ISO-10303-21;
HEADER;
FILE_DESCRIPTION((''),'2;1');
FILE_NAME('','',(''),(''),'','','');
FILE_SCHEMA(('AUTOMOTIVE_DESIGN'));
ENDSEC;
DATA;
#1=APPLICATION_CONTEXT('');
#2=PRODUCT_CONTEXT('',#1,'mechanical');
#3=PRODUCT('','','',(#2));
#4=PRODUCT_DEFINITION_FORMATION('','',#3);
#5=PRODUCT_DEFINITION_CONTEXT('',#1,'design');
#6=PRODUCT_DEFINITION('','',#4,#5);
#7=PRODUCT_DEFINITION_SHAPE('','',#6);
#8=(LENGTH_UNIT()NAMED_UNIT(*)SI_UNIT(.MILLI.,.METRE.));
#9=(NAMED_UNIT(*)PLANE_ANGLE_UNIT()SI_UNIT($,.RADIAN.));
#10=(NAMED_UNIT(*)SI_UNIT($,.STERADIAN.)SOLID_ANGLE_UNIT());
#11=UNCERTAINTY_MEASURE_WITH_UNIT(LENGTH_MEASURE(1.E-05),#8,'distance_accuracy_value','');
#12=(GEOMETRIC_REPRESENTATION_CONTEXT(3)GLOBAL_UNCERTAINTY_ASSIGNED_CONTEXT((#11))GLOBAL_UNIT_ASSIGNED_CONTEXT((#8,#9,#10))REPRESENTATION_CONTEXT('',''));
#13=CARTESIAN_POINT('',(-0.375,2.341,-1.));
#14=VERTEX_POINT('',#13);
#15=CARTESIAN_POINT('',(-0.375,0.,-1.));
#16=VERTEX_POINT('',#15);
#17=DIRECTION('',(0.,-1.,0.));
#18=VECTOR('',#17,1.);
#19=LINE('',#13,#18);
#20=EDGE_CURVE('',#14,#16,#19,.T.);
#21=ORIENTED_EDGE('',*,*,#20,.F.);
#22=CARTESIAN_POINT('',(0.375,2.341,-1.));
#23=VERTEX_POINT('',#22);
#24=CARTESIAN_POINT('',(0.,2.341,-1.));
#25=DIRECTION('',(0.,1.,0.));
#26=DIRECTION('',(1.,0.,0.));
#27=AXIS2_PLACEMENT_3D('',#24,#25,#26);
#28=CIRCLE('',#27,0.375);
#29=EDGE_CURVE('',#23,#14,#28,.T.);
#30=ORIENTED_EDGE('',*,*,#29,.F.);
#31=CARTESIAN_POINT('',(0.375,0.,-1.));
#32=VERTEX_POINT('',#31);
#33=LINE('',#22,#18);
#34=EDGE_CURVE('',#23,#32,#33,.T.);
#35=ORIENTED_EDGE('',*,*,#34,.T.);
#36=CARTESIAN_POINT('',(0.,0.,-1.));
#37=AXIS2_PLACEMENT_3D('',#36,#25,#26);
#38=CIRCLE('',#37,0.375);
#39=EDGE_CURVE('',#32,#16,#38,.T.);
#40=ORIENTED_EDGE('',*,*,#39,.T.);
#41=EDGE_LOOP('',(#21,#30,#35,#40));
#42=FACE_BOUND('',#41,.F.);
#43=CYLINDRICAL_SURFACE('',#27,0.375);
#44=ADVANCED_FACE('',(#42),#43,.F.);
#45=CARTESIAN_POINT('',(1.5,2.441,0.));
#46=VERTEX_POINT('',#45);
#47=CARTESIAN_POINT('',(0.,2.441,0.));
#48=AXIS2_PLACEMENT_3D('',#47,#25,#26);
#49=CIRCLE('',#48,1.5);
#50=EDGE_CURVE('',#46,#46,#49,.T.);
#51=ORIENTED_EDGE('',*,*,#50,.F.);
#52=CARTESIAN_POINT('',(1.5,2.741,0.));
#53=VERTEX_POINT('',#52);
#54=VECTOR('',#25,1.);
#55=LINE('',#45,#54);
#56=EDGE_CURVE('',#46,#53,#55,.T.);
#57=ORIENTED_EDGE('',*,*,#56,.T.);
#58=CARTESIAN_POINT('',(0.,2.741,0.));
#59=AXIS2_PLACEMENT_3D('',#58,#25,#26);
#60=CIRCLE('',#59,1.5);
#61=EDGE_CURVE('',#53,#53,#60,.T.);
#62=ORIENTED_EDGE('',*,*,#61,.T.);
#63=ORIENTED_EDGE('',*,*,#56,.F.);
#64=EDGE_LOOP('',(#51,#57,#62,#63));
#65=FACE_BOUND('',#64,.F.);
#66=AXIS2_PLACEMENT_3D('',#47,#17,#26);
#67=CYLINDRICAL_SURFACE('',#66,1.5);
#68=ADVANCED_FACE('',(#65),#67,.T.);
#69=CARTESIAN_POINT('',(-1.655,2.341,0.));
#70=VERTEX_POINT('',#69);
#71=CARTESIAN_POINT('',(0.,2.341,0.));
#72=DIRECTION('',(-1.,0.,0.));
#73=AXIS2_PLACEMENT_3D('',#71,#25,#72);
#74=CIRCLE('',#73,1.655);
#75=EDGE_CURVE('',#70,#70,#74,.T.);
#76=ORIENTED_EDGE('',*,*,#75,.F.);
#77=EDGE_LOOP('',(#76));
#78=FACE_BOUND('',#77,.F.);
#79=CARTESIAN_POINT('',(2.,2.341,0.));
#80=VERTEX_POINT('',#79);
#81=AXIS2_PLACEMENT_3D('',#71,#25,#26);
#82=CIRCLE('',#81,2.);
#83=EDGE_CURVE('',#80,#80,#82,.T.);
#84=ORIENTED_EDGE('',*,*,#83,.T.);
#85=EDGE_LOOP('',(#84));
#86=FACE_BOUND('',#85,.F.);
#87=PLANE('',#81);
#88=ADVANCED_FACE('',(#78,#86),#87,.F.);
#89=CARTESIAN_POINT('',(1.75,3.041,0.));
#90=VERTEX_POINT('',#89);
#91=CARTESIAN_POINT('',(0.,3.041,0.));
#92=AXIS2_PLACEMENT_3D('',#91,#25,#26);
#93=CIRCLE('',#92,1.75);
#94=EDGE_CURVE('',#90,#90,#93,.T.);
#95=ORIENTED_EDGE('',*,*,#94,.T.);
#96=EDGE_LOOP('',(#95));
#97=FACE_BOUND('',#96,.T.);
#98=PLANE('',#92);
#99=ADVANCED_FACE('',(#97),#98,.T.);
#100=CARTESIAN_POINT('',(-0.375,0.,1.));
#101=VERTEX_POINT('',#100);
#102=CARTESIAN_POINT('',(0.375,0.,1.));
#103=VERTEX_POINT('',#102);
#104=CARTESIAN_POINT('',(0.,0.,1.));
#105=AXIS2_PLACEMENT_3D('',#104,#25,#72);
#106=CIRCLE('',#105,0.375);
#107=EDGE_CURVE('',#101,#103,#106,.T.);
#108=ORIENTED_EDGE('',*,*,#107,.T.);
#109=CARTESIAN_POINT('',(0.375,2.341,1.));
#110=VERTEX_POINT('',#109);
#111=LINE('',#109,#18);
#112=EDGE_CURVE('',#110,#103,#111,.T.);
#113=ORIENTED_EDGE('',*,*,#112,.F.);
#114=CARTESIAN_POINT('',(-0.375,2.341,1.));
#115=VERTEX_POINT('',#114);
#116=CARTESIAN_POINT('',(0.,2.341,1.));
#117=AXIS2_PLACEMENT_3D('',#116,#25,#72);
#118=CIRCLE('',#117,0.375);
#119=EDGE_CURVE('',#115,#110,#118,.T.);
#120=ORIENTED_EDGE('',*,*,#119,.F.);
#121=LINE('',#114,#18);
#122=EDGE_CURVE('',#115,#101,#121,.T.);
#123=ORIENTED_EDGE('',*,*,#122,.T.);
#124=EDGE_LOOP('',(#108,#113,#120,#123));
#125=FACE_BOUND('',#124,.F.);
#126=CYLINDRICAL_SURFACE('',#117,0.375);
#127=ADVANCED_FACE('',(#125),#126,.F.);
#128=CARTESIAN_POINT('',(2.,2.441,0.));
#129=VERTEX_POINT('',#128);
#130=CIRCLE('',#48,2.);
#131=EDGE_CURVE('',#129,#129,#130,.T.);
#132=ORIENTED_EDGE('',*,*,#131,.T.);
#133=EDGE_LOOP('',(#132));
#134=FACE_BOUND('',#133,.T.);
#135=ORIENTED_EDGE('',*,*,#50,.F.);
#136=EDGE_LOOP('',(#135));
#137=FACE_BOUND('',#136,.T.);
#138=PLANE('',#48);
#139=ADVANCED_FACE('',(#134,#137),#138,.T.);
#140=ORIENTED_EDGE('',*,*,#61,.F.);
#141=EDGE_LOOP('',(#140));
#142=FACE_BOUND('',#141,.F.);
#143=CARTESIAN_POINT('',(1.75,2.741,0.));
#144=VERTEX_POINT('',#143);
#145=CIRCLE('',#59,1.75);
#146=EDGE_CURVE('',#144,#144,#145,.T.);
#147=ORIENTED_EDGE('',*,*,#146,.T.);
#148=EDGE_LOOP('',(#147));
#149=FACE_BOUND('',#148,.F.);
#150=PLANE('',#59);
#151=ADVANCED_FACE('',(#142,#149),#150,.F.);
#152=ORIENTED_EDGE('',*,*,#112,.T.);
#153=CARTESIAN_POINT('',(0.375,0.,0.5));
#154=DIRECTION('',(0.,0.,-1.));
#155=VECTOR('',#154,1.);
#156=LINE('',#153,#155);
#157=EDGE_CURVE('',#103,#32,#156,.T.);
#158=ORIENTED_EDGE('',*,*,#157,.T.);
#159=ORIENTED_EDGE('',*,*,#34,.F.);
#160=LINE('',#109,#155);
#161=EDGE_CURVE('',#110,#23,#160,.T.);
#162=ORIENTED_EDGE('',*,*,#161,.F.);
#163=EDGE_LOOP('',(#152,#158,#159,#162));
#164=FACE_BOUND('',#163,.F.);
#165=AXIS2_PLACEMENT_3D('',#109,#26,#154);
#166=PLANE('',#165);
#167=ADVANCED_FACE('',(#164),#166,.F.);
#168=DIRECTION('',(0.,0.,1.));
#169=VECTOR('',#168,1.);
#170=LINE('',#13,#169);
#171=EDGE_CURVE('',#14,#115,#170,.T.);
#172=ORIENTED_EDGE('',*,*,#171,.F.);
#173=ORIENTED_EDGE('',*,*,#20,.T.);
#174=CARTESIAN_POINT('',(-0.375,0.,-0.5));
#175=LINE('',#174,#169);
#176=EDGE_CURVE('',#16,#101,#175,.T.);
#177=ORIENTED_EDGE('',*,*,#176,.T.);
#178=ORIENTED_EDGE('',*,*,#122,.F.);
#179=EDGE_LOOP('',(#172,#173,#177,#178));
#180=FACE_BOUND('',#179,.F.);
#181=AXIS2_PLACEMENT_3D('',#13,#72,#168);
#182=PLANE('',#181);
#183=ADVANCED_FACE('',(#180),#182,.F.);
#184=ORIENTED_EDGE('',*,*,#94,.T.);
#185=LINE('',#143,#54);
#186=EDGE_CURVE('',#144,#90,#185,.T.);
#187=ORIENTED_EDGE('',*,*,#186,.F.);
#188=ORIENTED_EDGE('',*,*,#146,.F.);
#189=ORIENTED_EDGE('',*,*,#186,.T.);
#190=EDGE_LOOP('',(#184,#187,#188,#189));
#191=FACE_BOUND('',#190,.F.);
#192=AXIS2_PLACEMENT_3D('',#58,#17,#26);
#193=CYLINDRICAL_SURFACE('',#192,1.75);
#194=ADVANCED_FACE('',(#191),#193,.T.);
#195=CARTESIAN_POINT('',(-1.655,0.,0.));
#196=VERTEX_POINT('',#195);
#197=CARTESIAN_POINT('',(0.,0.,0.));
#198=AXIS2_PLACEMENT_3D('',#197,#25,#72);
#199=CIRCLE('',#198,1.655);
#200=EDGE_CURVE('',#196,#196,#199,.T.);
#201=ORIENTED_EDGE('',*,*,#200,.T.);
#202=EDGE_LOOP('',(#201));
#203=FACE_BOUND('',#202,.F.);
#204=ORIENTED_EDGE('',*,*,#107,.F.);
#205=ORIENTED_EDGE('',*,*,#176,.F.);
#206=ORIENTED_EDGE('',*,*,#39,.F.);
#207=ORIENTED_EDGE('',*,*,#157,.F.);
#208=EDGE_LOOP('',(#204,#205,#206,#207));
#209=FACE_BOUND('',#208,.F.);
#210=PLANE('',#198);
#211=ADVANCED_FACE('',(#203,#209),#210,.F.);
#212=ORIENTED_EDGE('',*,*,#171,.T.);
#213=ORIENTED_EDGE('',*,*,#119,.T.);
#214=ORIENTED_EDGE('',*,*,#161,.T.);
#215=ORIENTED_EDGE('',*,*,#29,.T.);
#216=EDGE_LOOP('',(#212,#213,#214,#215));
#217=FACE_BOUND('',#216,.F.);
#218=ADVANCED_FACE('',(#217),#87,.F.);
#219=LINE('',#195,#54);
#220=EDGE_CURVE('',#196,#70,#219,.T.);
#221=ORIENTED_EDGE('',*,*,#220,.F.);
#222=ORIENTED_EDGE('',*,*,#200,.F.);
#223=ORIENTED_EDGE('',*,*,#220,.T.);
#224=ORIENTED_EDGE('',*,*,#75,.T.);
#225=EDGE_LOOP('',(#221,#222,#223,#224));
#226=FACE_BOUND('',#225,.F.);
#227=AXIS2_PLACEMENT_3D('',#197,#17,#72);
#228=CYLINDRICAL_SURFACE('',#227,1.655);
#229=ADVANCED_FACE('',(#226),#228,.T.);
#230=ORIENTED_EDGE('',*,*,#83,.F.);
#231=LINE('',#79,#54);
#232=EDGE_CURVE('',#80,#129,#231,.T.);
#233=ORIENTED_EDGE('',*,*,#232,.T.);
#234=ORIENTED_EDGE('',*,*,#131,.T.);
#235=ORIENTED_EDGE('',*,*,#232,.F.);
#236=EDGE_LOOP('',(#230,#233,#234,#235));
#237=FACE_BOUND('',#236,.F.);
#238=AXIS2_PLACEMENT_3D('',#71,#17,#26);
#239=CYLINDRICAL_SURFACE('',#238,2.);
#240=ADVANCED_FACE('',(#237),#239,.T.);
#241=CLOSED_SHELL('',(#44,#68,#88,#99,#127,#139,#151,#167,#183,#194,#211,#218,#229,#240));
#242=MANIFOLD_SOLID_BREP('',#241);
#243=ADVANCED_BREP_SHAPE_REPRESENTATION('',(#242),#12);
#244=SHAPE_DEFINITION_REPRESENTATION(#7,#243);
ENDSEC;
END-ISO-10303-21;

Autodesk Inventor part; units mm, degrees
ref_plane "YZ Plane" through (0, 0, 0) normal (1, 0, 0) x (0, 1, 0)
ref_plane "XZ Plane" through (0, 0, 0) normal (0, 1, 0) x (-1, 0, 0)
ref_plane "XY Plane" through (0, 0, 0) normal (0, 0, 1) x (1, 0, 0)
sketch "Sketch1" plane through (0, 0, 0) normal (0, 1, 0) x (-1, 0, 0)
  circle A0 centre (0, 0) radius 1.655
  dimension "d0" = 3.31
extrude "Extrusion1" add sketch "Sketch1" along normal blind 2.341
sketch "Sketch2" plane through (0, 2.341, 0) normal (0, 1, 0) x (1, 0, 0)
  line L0 (0, -1) -> (0, 1) construction
  line L1 (0.375, -1) -> (0.375, 1)
  line L2 (-0.375, 1) -> (-0.375, -1)
  arc A0 (-0.375, -1) -> (0.375, -1) centre (0, -1) ccw
  arc A1 (0.375, 1) -> (-0.375, 1) centre (0, 1) ccw
  point P0 (0, 0)
  dimension "d3" = 1
  dimension "d4" = 0.75
extrude "Extrusion2" cut sketch "Sketch2" against normal through all
sketch "Sketch3" plane through (0, 2.341, 0) normal (0, 1, 0) x (1, 0, 0)
  circle A0 centre (0, 0) radius 2
  dimension "d7" = 4
extrude "Extrusion3" add sketch "Sketch3" along normal blind 0.1
sketch "Sketch4" plane through (0, 2.441, 0) normal (0, 1, 0) x (1, 0, 0)
  circle A0 centre (0, 0) radius 1.5
  dimension "d10" = 3
extrude "Extrusion4" add sketch "Sketch4" along normal blind 0.3
sketch "Sketch5" plane through (0, 2.741, 0) normal (0, 1, 0) x (1, 0, 0)
  circle A0 centre (0, 0) radius 1.75
  dimension "d13" = 3.5
extrude "Extrusion5" add sketch "Sketch5" along normal blind 0.3
properties part number "Pin Hole Lock2"
